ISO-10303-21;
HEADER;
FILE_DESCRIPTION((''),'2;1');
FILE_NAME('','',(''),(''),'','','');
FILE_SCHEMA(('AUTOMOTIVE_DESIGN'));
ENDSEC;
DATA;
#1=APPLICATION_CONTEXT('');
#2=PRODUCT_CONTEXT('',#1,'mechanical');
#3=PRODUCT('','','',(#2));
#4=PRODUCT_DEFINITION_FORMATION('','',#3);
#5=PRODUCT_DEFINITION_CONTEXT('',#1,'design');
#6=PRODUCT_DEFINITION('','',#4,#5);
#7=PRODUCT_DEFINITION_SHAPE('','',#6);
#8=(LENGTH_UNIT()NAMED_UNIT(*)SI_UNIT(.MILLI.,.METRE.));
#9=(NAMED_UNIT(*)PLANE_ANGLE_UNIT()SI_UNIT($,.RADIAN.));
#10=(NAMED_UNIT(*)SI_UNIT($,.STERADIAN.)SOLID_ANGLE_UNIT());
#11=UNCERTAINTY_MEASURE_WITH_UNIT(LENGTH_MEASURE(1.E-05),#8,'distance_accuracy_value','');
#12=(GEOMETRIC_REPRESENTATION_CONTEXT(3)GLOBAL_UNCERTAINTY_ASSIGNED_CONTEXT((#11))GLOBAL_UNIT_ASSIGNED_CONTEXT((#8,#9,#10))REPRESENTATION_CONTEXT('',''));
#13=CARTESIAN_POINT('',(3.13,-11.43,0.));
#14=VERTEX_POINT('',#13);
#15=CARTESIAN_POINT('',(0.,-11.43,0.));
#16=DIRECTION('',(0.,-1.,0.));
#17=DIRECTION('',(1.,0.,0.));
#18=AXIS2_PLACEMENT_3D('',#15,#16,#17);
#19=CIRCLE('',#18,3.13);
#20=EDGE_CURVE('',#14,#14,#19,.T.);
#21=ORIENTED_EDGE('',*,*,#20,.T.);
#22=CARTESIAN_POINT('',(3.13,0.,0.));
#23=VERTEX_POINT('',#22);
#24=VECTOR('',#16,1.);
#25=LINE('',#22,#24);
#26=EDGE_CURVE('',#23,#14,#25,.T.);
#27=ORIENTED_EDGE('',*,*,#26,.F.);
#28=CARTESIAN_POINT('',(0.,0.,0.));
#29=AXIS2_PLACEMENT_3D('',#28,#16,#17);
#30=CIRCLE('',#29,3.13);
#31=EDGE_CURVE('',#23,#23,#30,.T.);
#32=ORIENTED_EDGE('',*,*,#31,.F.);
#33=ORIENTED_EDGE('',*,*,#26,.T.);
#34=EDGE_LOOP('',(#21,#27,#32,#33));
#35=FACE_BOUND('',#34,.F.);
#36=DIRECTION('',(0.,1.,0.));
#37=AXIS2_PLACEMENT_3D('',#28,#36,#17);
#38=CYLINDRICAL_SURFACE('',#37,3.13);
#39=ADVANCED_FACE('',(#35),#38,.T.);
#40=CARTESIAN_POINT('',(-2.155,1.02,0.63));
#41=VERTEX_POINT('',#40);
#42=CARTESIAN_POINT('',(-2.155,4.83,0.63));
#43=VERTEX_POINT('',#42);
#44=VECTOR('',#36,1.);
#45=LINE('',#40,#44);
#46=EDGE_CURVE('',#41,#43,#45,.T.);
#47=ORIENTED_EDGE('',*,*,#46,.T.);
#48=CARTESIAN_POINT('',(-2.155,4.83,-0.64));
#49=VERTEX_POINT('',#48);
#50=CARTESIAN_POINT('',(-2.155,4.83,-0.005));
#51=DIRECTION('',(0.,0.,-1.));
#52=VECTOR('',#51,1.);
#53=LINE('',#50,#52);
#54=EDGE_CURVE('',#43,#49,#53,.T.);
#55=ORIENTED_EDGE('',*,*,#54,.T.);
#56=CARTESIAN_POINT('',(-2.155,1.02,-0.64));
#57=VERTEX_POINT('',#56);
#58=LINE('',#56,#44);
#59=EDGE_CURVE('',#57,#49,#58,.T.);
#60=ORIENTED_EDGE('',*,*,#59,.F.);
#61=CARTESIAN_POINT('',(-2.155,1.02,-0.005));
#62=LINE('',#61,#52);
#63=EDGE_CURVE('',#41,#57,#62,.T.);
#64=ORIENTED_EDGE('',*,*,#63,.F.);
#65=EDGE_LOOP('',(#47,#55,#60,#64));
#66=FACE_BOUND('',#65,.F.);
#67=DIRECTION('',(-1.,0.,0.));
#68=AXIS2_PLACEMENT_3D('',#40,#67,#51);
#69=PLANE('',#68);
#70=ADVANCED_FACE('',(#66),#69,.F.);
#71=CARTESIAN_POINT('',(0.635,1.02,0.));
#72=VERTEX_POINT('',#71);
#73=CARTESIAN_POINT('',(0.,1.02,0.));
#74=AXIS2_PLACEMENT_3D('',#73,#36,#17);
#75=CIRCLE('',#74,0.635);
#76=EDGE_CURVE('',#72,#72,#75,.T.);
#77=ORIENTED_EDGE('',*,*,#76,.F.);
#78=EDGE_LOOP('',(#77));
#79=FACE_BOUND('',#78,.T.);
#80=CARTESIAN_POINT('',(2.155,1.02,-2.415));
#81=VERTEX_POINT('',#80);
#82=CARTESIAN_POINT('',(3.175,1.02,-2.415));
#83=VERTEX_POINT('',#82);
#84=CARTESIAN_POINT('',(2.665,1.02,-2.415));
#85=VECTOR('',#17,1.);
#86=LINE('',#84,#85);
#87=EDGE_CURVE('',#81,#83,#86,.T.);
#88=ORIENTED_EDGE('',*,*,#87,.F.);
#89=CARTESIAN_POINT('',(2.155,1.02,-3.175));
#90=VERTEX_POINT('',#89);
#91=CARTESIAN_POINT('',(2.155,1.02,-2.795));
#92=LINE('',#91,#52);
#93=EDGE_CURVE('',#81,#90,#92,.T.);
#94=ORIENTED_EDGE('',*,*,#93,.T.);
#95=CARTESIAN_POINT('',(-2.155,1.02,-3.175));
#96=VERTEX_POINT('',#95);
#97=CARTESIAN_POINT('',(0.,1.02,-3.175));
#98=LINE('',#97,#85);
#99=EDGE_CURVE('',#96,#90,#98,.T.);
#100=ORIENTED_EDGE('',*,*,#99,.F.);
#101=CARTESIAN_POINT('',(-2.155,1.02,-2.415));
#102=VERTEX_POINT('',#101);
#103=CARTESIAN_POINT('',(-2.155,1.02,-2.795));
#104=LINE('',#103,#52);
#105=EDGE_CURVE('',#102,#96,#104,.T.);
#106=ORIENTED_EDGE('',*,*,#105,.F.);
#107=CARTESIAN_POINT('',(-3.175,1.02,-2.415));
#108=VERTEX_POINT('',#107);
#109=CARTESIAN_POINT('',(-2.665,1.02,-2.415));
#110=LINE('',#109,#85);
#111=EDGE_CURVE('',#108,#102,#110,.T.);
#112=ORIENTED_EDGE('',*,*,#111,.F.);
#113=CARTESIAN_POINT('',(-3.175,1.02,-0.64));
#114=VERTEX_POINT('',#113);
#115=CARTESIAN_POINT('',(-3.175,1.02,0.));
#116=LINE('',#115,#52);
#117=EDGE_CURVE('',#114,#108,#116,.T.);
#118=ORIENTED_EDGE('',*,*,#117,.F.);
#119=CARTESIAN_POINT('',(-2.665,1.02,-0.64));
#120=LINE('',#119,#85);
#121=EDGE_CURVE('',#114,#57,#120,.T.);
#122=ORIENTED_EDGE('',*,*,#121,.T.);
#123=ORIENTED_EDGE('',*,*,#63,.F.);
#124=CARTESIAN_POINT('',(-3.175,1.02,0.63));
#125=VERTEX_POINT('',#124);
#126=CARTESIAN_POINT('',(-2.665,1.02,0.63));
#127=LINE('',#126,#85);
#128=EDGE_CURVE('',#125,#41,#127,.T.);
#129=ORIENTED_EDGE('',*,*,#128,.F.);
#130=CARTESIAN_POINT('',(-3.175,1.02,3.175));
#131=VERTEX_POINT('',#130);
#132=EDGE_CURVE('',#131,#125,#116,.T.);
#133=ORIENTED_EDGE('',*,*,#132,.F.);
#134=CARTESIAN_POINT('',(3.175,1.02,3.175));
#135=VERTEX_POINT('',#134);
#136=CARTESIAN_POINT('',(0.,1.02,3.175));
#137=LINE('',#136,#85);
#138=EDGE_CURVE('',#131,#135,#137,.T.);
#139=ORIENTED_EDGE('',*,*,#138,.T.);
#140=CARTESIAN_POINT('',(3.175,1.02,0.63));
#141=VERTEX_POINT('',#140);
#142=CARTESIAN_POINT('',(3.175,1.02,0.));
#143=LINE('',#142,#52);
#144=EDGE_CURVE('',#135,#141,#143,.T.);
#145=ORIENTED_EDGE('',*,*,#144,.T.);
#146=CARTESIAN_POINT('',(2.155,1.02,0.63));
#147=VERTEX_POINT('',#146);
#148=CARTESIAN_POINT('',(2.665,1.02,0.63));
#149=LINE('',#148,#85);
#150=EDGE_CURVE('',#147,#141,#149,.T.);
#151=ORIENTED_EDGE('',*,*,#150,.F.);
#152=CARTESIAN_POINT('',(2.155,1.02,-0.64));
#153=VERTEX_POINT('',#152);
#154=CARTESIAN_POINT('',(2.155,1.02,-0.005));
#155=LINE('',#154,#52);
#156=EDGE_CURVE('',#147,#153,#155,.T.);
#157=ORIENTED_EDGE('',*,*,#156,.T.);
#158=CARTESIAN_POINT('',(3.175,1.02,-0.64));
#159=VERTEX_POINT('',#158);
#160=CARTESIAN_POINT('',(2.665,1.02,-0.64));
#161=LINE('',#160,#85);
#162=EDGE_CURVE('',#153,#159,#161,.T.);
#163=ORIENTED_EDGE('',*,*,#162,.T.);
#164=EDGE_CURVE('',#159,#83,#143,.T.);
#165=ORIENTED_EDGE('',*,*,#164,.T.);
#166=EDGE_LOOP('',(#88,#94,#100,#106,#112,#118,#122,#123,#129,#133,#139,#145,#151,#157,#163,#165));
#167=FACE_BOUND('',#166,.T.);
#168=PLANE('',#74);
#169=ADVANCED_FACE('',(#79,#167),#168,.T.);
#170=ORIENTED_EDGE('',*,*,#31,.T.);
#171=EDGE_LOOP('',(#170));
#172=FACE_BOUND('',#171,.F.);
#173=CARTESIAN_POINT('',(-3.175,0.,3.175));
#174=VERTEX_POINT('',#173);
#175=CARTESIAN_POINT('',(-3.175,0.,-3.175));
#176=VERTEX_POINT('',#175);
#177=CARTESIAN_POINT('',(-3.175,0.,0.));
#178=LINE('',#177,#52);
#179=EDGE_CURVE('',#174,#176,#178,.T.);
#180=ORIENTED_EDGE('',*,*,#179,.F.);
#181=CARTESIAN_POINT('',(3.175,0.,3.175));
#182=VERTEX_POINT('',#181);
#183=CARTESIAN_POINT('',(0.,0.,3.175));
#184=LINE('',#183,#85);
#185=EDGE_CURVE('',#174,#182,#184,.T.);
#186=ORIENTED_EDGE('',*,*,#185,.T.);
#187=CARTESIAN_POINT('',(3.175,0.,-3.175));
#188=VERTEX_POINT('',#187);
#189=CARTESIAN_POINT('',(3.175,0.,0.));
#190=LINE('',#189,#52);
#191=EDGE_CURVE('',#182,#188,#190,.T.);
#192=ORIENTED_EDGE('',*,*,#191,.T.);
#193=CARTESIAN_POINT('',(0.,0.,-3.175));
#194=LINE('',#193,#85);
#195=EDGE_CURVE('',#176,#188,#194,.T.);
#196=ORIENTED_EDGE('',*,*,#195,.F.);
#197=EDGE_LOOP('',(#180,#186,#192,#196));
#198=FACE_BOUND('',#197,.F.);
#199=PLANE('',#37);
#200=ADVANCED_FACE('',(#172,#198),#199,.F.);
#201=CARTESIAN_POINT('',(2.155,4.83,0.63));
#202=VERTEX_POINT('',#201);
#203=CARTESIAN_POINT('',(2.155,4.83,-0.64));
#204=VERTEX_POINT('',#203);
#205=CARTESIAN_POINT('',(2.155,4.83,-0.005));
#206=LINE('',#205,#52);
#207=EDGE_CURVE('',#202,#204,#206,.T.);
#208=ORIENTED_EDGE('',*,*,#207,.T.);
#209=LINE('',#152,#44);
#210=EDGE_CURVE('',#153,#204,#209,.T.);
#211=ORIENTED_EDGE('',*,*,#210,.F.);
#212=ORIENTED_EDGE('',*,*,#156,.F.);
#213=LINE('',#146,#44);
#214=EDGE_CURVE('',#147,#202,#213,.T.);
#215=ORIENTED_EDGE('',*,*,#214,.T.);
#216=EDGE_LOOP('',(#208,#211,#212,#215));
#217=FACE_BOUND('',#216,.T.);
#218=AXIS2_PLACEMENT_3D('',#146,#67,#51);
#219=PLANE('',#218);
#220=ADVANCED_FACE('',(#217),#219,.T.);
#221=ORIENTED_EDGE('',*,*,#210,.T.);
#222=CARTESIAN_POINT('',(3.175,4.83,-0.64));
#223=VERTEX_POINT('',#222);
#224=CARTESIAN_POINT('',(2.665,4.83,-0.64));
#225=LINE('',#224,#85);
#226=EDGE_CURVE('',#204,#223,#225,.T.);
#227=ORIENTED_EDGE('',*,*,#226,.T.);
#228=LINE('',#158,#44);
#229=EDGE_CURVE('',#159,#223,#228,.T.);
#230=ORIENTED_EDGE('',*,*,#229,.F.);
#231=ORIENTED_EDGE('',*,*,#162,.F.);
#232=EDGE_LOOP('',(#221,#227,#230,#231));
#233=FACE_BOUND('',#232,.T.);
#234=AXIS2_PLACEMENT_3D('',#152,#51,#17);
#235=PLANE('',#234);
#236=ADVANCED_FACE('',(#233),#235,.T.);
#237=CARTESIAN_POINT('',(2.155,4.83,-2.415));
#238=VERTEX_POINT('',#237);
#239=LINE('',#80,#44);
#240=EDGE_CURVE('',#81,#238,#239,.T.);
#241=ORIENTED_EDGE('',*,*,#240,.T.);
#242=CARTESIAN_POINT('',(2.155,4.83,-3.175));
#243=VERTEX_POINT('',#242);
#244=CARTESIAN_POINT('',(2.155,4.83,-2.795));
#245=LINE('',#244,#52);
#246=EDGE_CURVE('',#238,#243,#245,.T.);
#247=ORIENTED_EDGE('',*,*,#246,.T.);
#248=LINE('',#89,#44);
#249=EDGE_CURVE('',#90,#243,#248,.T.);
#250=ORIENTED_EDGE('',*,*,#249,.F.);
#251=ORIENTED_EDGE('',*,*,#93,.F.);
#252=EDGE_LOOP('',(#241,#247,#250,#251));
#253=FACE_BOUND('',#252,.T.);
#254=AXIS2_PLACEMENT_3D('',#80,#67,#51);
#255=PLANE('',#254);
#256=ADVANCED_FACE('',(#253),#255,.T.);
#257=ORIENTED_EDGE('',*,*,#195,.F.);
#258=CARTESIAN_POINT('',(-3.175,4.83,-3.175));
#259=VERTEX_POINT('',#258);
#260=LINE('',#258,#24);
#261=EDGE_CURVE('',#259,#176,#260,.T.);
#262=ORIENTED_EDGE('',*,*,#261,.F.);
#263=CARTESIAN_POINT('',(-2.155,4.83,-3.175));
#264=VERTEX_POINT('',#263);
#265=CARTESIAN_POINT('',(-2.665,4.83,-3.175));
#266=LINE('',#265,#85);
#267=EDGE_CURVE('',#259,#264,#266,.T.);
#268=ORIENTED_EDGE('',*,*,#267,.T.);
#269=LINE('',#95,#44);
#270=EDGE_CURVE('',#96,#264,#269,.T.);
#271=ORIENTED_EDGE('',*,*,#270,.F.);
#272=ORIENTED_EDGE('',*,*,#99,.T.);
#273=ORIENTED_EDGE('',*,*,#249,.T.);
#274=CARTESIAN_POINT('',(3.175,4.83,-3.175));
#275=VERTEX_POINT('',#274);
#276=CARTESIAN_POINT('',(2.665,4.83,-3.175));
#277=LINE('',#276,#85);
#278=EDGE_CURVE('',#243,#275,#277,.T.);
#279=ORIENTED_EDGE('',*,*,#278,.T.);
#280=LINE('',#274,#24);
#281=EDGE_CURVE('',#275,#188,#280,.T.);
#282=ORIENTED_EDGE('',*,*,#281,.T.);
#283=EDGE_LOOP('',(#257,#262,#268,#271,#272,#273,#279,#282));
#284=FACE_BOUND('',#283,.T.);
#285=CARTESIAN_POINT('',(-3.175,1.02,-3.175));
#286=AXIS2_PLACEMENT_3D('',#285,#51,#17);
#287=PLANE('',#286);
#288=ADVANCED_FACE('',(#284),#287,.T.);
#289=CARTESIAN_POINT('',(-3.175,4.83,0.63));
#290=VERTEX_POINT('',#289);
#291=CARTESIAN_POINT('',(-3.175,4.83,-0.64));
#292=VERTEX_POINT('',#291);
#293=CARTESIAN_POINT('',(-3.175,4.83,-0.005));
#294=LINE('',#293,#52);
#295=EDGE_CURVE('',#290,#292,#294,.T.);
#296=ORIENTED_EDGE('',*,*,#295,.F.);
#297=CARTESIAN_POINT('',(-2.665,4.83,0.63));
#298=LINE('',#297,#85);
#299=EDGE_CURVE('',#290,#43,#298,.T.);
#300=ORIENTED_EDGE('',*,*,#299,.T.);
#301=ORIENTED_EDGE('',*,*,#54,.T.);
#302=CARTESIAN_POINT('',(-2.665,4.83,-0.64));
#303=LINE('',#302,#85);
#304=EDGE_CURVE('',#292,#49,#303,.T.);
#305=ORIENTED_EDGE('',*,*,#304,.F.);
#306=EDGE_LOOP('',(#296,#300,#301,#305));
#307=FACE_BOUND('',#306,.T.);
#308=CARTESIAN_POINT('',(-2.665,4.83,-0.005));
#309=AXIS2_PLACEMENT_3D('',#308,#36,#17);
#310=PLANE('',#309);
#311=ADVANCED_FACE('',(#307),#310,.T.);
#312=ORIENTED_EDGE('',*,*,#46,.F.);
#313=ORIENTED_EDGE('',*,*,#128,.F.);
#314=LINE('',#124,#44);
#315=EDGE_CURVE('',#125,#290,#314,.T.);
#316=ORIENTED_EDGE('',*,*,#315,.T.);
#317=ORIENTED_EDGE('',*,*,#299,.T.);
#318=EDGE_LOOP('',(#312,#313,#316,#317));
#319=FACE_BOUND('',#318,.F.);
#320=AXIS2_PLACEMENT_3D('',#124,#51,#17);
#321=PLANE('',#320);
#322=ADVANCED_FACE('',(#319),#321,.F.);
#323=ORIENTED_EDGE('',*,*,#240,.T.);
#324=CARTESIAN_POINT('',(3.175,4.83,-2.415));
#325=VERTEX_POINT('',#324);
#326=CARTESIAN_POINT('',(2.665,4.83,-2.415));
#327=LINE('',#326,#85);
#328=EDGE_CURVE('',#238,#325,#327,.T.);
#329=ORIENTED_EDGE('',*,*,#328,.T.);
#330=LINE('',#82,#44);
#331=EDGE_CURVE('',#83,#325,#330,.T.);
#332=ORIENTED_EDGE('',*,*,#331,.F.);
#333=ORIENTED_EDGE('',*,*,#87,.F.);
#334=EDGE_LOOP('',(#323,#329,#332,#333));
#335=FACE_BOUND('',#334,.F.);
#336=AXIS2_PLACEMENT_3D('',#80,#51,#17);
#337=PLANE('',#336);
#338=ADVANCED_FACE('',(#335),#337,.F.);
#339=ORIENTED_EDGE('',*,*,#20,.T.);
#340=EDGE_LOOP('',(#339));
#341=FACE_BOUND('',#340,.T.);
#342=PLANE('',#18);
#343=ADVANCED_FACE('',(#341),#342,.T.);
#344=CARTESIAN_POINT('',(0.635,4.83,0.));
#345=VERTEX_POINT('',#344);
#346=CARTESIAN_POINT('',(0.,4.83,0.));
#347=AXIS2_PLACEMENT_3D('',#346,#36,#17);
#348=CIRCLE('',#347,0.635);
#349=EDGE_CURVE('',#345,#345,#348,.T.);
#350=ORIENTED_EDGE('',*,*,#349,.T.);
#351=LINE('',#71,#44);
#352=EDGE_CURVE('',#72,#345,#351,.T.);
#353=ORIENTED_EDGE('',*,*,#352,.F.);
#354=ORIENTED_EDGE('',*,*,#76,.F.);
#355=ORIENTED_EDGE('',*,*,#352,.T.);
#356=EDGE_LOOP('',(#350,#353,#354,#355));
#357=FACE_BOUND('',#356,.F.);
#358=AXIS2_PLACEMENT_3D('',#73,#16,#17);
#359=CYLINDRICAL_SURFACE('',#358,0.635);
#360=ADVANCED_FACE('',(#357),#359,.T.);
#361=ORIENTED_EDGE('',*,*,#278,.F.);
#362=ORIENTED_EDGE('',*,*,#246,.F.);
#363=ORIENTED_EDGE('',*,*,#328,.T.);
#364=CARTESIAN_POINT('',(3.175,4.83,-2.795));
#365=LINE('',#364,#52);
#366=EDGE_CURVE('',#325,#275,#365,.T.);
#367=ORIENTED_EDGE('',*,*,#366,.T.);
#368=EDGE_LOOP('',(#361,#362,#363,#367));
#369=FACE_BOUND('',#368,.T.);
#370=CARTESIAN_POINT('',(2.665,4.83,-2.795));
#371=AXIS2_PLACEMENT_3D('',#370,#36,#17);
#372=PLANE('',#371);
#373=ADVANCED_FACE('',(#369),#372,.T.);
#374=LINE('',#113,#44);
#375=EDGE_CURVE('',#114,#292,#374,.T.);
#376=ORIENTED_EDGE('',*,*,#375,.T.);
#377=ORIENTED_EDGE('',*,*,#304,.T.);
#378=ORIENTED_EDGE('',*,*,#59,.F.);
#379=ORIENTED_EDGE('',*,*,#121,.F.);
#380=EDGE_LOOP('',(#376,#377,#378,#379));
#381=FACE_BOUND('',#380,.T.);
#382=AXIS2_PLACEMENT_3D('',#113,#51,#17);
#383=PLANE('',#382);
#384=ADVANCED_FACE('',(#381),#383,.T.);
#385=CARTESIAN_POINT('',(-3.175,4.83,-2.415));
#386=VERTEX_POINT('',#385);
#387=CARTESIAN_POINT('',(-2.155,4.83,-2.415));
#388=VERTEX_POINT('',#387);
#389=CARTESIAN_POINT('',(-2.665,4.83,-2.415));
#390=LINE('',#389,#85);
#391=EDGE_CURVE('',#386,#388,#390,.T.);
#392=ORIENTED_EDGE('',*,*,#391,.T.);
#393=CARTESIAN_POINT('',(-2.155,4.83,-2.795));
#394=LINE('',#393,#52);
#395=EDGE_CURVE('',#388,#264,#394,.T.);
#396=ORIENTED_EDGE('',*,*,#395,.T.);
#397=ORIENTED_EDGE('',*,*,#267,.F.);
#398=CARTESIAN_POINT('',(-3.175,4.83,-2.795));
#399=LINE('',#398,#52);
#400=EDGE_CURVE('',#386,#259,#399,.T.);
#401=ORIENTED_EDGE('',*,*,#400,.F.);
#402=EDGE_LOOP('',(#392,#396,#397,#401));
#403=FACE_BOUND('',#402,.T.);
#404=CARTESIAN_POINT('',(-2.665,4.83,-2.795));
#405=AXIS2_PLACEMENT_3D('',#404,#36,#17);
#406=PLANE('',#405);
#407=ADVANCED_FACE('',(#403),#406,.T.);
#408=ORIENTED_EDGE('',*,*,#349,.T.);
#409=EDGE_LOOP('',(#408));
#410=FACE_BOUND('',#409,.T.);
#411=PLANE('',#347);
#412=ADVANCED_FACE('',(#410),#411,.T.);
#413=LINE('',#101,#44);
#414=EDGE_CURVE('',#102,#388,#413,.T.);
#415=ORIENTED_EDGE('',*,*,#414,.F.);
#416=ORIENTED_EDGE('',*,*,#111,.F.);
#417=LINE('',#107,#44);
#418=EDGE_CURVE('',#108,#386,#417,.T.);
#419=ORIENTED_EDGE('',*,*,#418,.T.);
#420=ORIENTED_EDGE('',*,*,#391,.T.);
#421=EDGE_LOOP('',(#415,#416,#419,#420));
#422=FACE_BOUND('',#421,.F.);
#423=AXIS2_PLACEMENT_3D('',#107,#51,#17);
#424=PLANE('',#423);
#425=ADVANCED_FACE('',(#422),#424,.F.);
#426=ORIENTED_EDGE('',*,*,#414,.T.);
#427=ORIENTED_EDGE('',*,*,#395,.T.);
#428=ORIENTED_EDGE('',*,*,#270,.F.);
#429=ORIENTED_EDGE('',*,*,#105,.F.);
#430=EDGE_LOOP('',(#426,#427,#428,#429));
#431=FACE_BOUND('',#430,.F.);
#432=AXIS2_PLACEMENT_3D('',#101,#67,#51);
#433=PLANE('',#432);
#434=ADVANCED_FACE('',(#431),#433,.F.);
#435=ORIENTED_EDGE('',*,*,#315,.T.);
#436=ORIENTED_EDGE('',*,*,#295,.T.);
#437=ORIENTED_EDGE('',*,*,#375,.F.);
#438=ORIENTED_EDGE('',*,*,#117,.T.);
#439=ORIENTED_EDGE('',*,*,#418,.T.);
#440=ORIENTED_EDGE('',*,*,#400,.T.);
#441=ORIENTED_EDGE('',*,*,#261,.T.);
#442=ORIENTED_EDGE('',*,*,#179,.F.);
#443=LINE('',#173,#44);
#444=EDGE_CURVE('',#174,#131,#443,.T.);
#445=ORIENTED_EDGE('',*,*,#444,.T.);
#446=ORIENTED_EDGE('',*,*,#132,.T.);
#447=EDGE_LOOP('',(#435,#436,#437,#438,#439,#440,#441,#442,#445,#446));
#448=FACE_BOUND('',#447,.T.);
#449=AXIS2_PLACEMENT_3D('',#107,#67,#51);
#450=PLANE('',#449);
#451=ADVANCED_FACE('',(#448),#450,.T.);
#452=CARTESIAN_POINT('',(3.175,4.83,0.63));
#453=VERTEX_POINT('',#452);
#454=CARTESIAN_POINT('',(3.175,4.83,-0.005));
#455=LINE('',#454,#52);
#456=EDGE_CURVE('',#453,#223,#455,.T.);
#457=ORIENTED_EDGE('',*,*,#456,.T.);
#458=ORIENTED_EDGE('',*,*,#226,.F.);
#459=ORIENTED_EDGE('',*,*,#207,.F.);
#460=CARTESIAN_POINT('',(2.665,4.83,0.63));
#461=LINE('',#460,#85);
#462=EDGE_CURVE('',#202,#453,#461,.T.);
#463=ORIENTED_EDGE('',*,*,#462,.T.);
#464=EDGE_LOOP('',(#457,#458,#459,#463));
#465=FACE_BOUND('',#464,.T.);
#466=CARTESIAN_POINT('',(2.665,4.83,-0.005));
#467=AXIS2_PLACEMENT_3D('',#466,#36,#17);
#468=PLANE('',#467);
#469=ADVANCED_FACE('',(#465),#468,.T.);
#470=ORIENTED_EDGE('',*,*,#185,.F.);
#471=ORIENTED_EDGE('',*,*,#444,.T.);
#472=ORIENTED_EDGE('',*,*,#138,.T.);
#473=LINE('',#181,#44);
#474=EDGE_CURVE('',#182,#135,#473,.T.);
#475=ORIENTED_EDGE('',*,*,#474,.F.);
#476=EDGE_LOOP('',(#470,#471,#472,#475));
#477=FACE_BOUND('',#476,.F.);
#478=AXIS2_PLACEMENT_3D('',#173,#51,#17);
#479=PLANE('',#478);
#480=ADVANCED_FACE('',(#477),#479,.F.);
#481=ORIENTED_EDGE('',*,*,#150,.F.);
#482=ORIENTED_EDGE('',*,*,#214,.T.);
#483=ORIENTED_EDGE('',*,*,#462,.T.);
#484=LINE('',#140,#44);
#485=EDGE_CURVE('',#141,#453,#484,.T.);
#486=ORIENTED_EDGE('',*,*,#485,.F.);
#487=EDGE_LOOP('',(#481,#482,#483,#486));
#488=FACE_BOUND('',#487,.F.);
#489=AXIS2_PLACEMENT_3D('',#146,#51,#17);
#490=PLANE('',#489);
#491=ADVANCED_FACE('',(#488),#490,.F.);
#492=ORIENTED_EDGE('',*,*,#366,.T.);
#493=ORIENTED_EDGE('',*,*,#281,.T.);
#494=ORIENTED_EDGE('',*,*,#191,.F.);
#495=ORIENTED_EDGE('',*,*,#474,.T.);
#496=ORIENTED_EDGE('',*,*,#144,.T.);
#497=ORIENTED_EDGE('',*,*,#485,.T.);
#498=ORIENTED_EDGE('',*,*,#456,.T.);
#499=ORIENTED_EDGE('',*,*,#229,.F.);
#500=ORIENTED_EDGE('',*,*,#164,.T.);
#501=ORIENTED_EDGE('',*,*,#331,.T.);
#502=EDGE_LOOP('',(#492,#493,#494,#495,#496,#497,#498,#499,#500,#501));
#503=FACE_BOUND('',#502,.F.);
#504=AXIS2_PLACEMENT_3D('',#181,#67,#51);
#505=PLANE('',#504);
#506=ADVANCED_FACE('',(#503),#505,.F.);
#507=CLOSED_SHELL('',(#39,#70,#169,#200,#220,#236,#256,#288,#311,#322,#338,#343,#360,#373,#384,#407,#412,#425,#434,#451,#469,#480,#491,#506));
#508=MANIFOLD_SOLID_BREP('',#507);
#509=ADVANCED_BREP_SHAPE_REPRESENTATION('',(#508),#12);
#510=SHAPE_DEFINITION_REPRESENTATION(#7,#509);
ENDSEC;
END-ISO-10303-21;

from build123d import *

# Parameters (mm, degrees)
SKETCH1_W           = 6.35
SKETCH1_H           = 6.35
BOSS_EXTRUDE1_DEPTH = 1.02
SKETCH2_W           = 1.02
SKETCH2_H           = 0.76
SKETCH2_H_2         = 1.27
BOSS_EXTRUDE2_DEPTH = 3.81
SKETCH3_R           = 0.635
BOSS_EXTRUDE3_DEPTH = 3.81
SKETCH4_R           = 3.13
BOSS_EXTRUDE4_DEPTH = 11.43


with BuildPart() as part:
    # Sketch1 → Boss-Extrude1 (new body)
    with BuildSketch(Plane(origin=(0, 0, 0), x_dir=(1, 0, 0), z_dir=(0, 1, 0))):
        Rectangle(SKETCH1_W, SKETCH1_H)
    extrude(amount=BOSS_EXTRUDE1_DEPTH)

    # Sketch2 → Boss-Extrude2 (add)
    with BuildSketch(Plane(origin=(0, 1.02, 0), x_dir=(1, 0, 0), z_dir=(0, 1, 0))):
        with Locations((-2.665, 2.795)):
            Rectangle(SKETCH2_W, SKETCH2_H)
        with Locations((-2.665, 0.005)):
            Rectangle(SKETCH2_W, SKETCH2_H_2)
        with Locations((2.665, 0.005)):
            Rectangle(SKETCH2_W, SKETCH2_H_2)
        with Locations((2.665, 2.795)):
            Rectangle(SKETCH2_W, SKETCH2_H)
    extrude(amount=BOSS_EXTRUDE2_DEPTH)

    # Sketch3 → Boss-Extrude3 (add)
    with BuildSketch(Plane(origin=(0, 1.02, 0), x_dir=(1, 0, 0), z_dir=(0, 1, 0))):
        Circle(SKETCH3_R)
    extrude(amount=BOSS_EXTRUDE3_DEPTH)

    # Sketch4 → Boss-Extrude4 (add)
    with BuildSketch(Plane.XZ):
        Circle(SKETCH4_R)
    extrude(amount=BOSS_EXTRUDE4_DEPTH)


solid = part.part
